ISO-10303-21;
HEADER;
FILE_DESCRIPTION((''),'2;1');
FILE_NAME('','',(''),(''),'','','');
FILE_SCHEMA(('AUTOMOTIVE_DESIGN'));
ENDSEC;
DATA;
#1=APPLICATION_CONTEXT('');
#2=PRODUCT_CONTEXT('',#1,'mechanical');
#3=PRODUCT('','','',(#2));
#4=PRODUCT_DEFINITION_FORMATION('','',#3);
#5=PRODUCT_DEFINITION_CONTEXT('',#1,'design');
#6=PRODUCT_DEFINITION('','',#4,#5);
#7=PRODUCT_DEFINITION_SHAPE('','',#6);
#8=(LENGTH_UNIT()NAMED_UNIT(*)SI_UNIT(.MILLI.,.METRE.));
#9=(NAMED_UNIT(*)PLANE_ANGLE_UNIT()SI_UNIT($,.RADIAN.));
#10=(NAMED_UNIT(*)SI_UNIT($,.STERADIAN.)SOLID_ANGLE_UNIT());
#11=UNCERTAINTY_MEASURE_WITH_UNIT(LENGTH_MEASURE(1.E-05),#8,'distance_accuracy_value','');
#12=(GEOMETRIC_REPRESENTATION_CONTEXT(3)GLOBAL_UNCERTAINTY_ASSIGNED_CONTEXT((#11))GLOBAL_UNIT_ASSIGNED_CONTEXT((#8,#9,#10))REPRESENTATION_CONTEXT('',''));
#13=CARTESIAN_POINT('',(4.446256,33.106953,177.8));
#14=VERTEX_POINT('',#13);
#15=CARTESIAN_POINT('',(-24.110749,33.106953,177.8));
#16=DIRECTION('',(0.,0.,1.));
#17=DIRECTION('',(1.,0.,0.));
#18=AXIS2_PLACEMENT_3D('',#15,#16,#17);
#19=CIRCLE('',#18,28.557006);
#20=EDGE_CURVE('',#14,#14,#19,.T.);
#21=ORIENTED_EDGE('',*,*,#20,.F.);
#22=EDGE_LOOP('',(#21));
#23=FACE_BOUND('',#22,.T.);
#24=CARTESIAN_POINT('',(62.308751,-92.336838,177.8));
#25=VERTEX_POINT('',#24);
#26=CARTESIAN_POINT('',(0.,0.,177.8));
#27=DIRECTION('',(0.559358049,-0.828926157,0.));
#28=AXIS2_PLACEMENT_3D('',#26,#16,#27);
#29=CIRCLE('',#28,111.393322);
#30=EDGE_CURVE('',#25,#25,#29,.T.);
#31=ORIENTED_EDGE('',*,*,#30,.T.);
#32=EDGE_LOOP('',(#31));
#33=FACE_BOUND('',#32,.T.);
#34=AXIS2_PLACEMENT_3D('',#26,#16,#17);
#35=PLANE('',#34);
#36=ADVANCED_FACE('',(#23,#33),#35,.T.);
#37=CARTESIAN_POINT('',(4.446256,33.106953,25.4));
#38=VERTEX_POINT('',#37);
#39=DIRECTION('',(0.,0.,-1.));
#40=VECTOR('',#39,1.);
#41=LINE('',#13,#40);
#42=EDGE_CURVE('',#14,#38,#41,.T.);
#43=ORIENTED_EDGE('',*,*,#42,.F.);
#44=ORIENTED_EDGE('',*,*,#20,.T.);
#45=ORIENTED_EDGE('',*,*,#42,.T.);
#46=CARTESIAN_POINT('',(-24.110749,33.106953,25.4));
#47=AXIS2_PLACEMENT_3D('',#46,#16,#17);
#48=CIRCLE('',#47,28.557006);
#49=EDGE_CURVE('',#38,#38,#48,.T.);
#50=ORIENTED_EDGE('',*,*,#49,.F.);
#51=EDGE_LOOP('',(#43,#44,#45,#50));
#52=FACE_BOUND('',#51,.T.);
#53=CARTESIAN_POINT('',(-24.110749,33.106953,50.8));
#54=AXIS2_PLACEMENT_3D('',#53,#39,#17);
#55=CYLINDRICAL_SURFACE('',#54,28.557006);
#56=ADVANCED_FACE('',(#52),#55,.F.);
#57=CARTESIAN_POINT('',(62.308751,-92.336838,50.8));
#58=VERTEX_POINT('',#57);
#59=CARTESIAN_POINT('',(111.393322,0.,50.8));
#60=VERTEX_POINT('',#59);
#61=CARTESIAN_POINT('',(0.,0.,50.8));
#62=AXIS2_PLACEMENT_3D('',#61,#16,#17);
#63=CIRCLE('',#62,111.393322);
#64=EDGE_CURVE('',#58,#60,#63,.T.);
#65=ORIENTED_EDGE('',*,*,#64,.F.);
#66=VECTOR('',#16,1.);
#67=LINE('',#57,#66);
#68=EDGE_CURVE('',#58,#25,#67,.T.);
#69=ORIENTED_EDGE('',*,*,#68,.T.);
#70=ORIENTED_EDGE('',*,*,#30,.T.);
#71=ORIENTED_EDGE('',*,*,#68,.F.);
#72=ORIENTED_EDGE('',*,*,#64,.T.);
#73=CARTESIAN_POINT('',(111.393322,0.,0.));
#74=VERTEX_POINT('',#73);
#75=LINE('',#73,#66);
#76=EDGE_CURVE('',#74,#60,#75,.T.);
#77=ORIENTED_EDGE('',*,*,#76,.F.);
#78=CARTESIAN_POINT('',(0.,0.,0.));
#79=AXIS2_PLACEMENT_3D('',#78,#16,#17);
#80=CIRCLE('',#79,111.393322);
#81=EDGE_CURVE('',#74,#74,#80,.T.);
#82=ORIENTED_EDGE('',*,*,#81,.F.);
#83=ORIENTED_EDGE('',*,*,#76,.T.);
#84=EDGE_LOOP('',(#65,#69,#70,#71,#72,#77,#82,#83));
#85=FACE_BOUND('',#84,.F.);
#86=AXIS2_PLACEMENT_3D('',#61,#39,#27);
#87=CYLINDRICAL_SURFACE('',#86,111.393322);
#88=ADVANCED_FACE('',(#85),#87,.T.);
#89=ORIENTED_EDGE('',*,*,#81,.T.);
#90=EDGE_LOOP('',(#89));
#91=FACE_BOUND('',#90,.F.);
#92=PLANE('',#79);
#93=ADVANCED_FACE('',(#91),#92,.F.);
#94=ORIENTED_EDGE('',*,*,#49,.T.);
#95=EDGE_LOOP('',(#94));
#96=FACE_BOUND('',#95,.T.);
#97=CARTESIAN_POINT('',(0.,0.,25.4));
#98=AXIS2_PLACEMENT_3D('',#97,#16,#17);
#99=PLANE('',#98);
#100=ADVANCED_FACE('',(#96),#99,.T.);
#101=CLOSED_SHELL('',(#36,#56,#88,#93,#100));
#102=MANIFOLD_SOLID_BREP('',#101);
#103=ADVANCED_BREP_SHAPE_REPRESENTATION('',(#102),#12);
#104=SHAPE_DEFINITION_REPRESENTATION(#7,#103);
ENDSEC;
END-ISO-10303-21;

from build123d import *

# Parameters (mm, degrees)
F1_R     = 111.3933221295
F2_DEPTH = 25.4
F3_R     = 111.3933221295
F3_R_2   = 28.5570056478
F4_DEPTH = 25.4
F5_W     = 62.3087513292
F5_H     = 49.9088813265
F5_R     = 28.5570056478
F6_DEPTH = 127


with BuildPart() as f2:
    # F1 (on face) → F2 (new body)
    with BuildSketch(Plane.XY):
        Circle(F1_R)
    extrude(amount=F2_DEPTH)

    # F3 (on face) → F4 (join)
    with BuildSketch(Plane.XY.offset(25.4)):
        Circle(F3_R)
        with Locations((-24.1107493639, 33.1069529057)):
            Circle(F3_R_2, mode=Mode.SUBTRACT)
    extrude(amount=F4_DEPTH)

    # F5 (on face) → F6 (join)
    with BuildSketch(Plane.XY.offset(50.8)):
        with BuildLine():
            ThreePointArc((111.3933221295, 0), (-98.359674215, 52.2861999324), (62.3087513292, -92.3368383845))
            ThreePointArc((62.3087513292, -92.3368383845), (98.359674215, -52.2861999324), (111.3933221295, 0))
        make_face()
        with Locations((31.1543756646, -67.3823977212)):
            Rectangle(F5_W, F5_H, mode=Mode.SUBTRACT)
        with Locations((-24.1107493639, 33.1069529057)):
            Circle(F5_R, mode=Mode.SUBTRACT)
        with Locations((31.1543756646, -67.3823977212)):
            Rectangle(F5_W, F5_H)
    extrude(amount=F6_DEPTH)


solid = f2.part
